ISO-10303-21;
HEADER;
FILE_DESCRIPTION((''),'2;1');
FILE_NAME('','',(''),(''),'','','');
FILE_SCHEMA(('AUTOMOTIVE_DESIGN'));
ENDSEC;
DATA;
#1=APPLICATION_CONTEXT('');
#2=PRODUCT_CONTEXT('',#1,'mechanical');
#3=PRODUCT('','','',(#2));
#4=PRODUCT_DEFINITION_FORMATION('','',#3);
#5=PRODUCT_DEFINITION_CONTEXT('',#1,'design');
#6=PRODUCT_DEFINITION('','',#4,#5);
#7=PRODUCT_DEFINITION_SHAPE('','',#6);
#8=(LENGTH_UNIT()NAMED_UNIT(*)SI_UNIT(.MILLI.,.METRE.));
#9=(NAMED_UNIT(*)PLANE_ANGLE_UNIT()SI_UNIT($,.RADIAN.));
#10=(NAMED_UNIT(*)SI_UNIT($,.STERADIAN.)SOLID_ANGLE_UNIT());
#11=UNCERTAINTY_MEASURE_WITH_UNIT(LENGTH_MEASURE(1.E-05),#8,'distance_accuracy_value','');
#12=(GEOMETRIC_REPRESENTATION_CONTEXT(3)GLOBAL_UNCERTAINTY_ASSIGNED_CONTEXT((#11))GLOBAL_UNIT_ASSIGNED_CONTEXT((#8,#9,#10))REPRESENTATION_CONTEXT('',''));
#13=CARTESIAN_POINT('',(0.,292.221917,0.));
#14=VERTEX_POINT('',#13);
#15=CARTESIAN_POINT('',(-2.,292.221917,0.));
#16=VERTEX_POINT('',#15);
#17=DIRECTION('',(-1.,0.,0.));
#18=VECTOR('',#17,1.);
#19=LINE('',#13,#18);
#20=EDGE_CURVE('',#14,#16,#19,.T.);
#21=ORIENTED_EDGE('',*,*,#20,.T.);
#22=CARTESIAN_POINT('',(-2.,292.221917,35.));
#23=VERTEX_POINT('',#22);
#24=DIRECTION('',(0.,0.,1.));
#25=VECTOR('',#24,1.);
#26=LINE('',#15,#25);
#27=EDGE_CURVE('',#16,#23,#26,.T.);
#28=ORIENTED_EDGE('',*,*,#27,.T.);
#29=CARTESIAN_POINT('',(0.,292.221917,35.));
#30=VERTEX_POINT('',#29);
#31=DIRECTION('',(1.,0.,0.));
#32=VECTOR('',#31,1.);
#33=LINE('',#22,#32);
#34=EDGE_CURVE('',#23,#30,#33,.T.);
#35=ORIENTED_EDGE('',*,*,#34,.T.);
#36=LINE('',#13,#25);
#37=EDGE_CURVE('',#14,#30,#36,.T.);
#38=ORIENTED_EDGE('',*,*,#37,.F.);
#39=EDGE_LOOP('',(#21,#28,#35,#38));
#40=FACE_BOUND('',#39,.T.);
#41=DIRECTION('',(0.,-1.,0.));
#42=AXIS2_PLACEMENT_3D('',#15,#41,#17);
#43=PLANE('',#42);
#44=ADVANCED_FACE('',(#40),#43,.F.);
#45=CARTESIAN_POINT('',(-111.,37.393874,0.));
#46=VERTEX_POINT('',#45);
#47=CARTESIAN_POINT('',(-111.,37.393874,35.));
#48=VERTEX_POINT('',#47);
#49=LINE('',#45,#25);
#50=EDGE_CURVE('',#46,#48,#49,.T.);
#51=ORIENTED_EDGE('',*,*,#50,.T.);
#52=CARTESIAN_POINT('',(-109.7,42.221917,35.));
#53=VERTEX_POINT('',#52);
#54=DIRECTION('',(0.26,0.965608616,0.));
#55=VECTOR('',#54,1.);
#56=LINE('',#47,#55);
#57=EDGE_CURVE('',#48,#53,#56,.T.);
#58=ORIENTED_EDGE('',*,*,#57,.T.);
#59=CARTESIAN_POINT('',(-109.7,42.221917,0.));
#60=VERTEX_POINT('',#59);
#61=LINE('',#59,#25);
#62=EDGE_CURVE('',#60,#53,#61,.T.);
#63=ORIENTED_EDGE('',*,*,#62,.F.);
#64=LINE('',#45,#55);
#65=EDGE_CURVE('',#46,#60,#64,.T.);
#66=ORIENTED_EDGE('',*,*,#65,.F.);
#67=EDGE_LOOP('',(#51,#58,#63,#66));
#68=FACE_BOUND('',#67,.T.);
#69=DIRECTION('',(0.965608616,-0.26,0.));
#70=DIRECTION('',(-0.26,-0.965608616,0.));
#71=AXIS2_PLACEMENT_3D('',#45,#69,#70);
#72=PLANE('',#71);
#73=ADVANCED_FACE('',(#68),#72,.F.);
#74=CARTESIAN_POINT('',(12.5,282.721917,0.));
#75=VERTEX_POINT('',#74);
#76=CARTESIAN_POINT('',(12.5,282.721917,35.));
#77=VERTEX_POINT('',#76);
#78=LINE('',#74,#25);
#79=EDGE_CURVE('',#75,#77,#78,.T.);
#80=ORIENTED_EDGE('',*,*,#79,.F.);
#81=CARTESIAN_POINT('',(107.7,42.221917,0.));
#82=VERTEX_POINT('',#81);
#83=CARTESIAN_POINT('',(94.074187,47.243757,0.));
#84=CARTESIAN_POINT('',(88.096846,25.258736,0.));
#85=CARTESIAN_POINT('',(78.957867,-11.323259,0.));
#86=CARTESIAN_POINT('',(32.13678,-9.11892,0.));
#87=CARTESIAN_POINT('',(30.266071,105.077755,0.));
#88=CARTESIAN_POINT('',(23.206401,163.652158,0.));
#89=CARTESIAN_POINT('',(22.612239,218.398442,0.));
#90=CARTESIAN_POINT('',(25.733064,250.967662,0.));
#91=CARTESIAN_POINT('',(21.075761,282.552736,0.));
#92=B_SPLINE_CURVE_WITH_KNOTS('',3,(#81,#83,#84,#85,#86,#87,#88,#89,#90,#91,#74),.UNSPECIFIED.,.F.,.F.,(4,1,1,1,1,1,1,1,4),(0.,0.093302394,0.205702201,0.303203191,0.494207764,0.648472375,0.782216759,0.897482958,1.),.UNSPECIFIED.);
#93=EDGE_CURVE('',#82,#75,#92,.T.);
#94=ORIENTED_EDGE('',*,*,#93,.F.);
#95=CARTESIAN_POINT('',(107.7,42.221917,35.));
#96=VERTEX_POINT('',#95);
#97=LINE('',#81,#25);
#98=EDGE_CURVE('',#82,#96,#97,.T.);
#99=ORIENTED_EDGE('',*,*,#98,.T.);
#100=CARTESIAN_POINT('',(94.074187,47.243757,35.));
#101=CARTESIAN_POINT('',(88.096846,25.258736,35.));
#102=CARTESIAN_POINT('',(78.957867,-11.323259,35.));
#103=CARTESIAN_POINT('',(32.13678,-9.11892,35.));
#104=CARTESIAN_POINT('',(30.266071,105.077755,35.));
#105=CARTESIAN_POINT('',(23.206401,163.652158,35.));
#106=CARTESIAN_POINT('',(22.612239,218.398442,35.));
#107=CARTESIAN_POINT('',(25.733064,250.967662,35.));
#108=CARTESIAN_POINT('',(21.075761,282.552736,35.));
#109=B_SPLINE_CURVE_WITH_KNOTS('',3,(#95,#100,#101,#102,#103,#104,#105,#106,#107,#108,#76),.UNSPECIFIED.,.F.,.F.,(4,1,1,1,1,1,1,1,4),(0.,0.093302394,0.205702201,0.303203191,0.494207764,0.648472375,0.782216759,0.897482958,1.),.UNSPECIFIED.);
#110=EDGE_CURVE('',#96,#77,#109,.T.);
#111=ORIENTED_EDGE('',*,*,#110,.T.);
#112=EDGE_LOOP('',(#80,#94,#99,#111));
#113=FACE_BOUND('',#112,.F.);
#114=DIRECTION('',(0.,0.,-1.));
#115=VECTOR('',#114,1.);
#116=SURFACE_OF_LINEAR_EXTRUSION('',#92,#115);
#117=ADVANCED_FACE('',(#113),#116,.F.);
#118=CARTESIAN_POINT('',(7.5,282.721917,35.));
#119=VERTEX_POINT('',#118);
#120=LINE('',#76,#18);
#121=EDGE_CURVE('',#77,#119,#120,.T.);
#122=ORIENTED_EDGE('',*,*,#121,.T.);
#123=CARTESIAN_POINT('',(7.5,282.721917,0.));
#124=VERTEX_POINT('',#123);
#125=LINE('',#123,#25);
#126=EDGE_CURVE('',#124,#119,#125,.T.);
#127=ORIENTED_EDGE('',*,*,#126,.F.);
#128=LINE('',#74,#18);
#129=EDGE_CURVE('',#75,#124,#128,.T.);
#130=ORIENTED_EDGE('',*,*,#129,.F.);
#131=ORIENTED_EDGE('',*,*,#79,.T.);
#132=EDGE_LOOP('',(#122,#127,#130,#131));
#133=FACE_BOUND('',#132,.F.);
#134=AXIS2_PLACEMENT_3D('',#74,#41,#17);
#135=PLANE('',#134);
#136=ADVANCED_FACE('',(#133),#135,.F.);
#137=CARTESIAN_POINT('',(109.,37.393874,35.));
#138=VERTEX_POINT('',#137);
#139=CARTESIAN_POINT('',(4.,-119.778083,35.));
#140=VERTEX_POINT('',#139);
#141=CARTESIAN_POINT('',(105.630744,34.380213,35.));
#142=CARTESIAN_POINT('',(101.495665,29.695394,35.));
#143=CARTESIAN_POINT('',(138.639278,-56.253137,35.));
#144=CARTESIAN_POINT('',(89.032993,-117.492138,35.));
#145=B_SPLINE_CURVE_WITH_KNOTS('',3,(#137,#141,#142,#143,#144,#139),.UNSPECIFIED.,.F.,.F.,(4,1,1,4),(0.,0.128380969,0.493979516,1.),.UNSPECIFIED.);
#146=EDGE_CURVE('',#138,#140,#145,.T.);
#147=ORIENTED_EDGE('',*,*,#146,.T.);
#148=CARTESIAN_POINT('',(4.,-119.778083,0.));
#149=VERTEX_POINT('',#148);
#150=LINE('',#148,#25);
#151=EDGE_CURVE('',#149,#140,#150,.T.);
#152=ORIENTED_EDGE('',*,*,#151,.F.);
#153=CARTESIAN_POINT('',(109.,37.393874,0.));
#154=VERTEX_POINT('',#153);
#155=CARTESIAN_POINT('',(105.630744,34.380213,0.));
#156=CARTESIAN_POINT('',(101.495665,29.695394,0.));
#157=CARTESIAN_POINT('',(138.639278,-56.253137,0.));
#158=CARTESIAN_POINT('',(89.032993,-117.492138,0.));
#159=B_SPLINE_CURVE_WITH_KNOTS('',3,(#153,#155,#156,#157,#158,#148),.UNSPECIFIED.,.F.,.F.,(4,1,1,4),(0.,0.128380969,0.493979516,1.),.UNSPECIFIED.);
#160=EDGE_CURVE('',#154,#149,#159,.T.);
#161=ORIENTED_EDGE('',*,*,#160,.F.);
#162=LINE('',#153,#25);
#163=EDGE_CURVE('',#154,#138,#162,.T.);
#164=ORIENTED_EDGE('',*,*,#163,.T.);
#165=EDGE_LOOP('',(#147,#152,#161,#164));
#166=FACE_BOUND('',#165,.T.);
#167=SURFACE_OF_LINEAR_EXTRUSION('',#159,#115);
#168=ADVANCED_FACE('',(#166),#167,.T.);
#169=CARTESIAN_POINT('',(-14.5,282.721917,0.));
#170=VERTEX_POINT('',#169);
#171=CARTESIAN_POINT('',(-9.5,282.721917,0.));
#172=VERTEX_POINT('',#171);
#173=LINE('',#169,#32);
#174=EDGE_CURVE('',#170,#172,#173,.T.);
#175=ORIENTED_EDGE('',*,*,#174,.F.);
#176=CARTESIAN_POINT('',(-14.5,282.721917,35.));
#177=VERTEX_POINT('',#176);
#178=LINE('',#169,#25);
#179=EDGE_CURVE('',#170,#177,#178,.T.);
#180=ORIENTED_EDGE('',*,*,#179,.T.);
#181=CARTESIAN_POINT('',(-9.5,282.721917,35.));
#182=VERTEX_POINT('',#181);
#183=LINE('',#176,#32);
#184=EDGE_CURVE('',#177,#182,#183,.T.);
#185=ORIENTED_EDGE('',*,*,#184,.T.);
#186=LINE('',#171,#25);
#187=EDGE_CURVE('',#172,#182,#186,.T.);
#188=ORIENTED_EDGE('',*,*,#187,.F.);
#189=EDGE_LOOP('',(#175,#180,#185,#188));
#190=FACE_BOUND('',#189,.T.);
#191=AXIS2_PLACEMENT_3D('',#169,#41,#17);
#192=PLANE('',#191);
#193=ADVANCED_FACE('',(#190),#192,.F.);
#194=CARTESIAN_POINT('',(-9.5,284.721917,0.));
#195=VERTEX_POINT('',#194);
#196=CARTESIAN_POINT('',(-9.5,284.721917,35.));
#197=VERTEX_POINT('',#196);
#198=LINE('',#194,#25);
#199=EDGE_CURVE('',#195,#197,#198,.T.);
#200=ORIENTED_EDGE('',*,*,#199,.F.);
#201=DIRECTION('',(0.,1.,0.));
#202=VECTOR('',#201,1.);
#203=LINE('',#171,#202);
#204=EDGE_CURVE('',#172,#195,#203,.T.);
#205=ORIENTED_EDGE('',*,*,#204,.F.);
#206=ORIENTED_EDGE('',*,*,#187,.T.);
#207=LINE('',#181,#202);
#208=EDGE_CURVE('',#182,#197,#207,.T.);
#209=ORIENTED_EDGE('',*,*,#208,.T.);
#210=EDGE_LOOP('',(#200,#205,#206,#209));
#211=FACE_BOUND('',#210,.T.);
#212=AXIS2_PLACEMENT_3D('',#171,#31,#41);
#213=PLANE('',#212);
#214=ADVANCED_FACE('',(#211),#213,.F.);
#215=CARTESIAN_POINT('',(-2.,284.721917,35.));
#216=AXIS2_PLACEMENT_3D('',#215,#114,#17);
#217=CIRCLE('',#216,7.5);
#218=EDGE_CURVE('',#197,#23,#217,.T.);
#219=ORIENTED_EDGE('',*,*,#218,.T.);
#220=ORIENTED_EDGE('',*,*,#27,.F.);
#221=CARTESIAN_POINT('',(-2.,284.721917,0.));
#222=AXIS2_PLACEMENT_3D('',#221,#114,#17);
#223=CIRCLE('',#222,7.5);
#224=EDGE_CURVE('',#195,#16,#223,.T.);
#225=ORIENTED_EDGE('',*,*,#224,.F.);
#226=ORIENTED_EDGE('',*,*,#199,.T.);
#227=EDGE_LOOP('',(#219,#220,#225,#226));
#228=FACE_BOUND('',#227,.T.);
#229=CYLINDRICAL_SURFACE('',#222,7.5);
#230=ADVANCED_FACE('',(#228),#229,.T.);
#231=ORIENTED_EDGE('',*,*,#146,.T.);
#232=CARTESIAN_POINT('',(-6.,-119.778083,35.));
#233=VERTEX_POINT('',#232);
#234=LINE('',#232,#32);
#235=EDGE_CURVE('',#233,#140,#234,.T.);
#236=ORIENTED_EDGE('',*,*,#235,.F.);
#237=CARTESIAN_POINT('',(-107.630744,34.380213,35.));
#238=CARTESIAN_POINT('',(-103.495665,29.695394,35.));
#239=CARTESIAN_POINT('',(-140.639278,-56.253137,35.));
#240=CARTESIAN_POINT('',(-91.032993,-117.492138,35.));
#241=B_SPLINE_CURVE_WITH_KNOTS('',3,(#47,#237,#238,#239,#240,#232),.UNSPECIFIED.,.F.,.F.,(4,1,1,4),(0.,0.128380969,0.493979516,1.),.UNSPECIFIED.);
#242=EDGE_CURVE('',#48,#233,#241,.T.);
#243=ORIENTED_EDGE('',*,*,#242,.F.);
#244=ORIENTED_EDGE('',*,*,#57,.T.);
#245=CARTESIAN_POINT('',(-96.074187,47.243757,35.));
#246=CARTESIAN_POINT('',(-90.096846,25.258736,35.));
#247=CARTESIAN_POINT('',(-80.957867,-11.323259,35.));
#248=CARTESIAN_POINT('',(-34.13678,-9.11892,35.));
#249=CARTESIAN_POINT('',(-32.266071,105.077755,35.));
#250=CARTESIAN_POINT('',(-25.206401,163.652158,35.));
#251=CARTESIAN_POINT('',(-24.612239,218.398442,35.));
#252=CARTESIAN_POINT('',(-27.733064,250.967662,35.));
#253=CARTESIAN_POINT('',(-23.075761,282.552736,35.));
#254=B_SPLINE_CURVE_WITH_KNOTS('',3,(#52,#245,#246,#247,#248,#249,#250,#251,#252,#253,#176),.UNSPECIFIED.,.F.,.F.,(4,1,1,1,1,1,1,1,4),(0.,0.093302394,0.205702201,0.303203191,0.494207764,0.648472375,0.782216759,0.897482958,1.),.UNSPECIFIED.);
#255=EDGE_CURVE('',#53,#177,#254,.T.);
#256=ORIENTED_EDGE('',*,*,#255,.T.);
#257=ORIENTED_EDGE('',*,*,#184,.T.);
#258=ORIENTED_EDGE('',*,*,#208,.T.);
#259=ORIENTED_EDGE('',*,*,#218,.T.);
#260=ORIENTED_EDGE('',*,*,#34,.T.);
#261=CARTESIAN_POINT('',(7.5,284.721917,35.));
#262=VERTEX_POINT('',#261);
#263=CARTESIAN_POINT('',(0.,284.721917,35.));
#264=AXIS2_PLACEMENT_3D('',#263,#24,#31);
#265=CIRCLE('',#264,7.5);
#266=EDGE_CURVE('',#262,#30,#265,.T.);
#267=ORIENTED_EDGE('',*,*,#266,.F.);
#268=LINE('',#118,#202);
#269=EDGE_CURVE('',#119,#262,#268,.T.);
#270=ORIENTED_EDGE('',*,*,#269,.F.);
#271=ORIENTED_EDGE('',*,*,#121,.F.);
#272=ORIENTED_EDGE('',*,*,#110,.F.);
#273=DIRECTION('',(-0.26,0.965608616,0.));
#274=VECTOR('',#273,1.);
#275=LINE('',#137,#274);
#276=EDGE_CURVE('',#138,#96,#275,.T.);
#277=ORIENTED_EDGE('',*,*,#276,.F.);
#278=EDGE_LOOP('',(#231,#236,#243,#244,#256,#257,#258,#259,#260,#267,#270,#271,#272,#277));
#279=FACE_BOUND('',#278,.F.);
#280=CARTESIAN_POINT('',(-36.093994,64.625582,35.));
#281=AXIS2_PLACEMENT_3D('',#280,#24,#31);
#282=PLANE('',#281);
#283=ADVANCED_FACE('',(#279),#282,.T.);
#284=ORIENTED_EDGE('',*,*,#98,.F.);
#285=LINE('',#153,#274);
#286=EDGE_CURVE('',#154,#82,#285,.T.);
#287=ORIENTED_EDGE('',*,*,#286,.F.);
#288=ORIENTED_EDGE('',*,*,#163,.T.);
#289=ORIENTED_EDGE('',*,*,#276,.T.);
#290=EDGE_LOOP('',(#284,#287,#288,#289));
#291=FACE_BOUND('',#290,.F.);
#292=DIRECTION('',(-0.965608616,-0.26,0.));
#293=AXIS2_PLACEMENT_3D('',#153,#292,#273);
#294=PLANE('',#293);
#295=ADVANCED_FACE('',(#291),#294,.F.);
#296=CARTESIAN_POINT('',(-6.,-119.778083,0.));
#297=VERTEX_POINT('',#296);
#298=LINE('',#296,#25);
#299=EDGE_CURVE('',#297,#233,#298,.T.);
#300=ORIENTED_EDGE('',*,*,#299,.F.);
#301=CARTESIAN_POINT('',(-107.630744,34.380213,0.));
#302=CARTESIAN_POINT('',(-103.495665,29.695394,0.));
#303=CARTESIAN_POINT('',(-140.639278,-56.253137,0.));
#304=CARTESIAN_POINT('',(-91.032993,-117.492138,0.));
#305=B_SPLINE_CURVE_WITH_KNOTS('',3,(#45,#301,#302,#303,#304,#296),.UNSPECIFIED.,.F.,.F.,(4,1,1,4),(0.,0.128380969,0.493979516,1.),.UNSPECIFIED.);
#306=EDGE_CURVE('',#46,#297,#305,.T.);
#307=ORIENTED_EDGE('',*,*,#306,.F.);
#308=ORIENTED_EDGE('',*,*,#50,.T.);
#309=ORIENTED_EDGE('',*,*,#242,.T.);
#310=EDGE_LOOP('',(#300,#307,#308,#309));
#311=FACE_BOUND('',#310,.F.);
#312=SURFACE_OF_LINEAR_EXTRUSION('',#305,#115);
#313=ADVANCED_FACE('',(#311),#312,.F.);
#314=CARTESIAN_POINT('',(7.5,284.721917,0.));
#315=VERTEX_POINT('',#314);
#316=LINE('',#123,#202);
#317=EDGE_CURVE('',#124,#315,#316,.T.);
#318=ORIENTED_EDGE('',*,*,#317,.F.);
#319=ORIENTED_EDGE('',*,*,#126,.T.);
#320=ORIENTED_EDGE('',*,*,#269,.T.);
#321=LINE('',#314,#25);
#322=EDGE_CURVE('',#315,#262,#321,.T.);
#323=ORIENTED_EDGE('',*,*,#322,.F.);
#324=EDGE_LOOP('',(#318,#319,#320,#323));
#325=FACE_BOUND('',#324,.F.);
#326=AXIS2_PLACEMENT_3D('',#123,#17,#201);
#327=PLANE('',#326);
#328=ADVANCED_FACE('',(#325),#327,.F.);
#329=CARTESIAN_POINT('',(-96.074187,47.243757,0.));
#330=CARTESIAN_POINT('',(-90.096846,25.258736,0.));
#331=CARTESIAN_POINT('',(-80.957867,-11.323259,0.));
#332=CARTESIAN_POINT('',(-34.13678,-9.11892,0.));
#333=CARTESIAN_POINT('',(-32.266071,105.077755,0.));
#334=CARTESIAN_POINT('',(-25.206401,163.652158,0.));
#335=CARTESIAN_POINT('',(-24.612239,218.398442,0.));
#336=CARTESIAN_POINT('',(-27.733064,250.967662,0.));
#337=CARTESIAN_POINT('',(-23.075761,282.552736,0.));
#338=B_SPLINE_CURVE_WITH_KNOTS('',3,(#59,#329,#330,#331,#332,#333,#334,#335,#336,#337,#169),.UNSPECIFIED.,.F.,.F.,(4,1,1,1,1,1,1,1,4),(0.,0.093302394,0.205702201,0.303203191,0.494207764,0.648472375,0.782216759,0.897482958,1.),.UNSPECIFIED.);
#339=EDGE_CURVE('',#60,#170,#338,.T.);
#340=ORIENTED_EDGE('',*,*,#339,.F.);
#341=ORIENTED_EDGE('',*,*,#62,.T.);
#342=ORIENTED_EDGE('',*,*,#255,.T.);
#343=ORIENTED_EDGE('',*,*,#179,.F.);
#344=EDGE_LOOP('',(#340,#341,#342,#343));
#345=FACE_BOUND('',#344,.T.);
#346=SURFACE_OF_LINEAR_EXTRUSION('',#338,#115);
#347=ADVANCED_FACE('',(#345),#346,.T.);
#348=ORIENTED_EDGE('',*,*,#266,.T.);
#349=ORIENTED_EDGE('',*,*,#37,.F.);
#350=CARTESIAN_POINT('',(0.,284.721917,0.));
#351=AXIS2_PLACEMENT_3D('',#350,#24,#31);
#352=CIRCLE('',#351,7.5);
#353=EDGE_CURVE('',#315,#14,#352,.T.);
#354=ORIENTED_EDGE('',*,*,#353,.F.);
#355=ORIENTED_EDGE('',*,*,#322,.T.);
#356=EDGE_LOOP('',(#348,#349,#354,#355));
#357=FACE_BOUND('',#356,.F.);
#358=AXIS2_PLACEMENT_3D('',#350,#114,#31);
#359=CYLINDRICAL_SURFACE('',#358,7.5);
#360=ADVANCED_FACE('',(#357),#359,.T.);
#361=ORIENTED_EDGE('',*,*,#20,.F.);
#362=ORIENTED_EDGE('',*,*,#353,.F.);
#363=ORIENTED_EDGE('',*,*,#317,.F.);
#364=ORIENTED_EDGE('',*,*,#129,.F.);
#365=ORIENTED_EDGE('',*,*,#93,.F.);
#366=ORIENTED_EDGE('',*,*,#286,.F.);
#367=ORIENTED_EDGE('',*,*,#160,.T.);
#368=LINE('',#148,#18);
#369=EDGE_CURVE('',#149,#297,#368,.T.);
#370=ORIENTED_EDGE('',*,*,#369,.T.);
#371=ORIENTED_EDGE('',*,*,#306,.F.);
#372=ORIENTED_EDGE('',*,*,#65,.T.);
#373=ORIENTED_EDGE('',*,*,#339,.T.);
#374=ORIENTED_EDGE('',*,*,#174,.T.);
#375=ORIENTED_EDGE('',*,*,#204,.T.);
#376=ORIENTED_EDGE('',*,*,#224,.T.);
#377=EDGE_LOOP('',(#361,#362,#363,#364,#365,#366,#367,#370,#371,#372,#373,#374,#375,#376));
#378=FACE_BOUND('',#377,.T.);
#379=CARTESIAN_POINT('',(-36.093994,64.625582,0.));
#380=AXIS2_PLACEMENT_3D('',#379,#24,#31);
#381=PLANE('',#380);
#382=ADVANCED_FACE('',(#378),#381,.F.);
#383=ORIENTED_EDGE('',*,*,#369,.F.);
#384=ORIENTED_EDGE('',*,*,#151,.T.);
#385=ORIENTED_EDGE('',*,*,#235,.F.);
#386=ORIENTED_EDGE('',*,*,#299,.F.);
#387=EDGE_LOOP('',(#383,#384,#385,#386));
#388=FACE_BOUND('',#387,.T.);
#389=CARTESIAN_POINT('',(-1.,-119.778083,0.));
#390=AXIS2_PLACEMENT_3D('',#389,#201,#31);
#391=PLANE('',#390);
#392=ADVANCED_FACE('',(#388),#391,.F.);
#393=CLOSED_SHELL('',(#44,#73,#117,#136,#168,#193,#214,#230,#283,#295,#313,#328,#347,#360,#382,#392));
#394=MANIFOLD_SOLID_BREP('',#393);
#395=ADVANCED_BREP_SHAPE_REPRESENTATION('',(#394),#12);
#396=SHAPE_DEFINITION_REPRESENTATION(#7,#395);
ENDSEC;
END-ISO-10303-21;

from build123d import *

# Parameters (mm, degrees)
F1_DEPTH = 35


with BuildPart() as f1:
    # F0 (on Top) → F1 (new body)
    with BuildSketch(Plane.XY):
        with BuildLine():
            ThreePointArc((7.5, 284.7219171226), (5.3033008589, 290.0252179815), (0, 292.2219171226))
            Line((0, 292.2219171226), (-1, 292.2219171226))
            Line((-1, 292.2219171226), (-1, -119.7780828774))
            Line((-1, -119.7780828774), (4, -119.7780828774))
            add(Edge.make_bspline(
                [(109, 37.3938740408), (105.6307440999, 34.3802133174), (101.4956652983, 29.6953939154), (138.6392780904, -56.2531371267), (89.0329927206, -117.4921383262), (4, -119.7780828774)],
                knots=[0, 0, 0, 0, 0.1283809688, 0.4939795161, 1, 1, 1, 1], degree=3))
            Line((109, 37.3938740408), (107.7, 42.2219171226))
            add(Edge.make_bspline(
                [(107.7, 42.2219171226), (94.0741872784, 47.2437572685), (88.096845975, 25.2587362562), (78.9578668379, -11.3232592516), (32.1367799481, -9.1189201412), (30.266071103, 105.0777554642), (23.2064005421, 163.6521584407), (22.6122391044, 218.3984420105), (25.733064441, 250.9676623076), (21.075761049, 282.5527358512), (12.5, 282.7219171226)],
                knots=[0, 0, 0, 0, 0.0933023943, 0.2057022012, 0.303203191, 0.494207764, 0.6484723748, 0.7822167594, 0.8974829579, 1, 1, 1, 1], degree=3))
            Line((12.5, 282.7219171226), (7.5, 282.7219171226))
            Line((7.5, 282.7219171226), (7.5, 284.7219171226))
        make_face()
    extrude(amount=F1_DEPTH)

    # F2: F1 across face


with BuildPart() as f1_1:
    add(f1.part)
    add(f1.part.mirror(Plane(origin=(-1, 86.2219171226, 17.5), x_dir=(0, -1, 0), z_dir=(-1, 0, 0))))


solid = f1_1.part
